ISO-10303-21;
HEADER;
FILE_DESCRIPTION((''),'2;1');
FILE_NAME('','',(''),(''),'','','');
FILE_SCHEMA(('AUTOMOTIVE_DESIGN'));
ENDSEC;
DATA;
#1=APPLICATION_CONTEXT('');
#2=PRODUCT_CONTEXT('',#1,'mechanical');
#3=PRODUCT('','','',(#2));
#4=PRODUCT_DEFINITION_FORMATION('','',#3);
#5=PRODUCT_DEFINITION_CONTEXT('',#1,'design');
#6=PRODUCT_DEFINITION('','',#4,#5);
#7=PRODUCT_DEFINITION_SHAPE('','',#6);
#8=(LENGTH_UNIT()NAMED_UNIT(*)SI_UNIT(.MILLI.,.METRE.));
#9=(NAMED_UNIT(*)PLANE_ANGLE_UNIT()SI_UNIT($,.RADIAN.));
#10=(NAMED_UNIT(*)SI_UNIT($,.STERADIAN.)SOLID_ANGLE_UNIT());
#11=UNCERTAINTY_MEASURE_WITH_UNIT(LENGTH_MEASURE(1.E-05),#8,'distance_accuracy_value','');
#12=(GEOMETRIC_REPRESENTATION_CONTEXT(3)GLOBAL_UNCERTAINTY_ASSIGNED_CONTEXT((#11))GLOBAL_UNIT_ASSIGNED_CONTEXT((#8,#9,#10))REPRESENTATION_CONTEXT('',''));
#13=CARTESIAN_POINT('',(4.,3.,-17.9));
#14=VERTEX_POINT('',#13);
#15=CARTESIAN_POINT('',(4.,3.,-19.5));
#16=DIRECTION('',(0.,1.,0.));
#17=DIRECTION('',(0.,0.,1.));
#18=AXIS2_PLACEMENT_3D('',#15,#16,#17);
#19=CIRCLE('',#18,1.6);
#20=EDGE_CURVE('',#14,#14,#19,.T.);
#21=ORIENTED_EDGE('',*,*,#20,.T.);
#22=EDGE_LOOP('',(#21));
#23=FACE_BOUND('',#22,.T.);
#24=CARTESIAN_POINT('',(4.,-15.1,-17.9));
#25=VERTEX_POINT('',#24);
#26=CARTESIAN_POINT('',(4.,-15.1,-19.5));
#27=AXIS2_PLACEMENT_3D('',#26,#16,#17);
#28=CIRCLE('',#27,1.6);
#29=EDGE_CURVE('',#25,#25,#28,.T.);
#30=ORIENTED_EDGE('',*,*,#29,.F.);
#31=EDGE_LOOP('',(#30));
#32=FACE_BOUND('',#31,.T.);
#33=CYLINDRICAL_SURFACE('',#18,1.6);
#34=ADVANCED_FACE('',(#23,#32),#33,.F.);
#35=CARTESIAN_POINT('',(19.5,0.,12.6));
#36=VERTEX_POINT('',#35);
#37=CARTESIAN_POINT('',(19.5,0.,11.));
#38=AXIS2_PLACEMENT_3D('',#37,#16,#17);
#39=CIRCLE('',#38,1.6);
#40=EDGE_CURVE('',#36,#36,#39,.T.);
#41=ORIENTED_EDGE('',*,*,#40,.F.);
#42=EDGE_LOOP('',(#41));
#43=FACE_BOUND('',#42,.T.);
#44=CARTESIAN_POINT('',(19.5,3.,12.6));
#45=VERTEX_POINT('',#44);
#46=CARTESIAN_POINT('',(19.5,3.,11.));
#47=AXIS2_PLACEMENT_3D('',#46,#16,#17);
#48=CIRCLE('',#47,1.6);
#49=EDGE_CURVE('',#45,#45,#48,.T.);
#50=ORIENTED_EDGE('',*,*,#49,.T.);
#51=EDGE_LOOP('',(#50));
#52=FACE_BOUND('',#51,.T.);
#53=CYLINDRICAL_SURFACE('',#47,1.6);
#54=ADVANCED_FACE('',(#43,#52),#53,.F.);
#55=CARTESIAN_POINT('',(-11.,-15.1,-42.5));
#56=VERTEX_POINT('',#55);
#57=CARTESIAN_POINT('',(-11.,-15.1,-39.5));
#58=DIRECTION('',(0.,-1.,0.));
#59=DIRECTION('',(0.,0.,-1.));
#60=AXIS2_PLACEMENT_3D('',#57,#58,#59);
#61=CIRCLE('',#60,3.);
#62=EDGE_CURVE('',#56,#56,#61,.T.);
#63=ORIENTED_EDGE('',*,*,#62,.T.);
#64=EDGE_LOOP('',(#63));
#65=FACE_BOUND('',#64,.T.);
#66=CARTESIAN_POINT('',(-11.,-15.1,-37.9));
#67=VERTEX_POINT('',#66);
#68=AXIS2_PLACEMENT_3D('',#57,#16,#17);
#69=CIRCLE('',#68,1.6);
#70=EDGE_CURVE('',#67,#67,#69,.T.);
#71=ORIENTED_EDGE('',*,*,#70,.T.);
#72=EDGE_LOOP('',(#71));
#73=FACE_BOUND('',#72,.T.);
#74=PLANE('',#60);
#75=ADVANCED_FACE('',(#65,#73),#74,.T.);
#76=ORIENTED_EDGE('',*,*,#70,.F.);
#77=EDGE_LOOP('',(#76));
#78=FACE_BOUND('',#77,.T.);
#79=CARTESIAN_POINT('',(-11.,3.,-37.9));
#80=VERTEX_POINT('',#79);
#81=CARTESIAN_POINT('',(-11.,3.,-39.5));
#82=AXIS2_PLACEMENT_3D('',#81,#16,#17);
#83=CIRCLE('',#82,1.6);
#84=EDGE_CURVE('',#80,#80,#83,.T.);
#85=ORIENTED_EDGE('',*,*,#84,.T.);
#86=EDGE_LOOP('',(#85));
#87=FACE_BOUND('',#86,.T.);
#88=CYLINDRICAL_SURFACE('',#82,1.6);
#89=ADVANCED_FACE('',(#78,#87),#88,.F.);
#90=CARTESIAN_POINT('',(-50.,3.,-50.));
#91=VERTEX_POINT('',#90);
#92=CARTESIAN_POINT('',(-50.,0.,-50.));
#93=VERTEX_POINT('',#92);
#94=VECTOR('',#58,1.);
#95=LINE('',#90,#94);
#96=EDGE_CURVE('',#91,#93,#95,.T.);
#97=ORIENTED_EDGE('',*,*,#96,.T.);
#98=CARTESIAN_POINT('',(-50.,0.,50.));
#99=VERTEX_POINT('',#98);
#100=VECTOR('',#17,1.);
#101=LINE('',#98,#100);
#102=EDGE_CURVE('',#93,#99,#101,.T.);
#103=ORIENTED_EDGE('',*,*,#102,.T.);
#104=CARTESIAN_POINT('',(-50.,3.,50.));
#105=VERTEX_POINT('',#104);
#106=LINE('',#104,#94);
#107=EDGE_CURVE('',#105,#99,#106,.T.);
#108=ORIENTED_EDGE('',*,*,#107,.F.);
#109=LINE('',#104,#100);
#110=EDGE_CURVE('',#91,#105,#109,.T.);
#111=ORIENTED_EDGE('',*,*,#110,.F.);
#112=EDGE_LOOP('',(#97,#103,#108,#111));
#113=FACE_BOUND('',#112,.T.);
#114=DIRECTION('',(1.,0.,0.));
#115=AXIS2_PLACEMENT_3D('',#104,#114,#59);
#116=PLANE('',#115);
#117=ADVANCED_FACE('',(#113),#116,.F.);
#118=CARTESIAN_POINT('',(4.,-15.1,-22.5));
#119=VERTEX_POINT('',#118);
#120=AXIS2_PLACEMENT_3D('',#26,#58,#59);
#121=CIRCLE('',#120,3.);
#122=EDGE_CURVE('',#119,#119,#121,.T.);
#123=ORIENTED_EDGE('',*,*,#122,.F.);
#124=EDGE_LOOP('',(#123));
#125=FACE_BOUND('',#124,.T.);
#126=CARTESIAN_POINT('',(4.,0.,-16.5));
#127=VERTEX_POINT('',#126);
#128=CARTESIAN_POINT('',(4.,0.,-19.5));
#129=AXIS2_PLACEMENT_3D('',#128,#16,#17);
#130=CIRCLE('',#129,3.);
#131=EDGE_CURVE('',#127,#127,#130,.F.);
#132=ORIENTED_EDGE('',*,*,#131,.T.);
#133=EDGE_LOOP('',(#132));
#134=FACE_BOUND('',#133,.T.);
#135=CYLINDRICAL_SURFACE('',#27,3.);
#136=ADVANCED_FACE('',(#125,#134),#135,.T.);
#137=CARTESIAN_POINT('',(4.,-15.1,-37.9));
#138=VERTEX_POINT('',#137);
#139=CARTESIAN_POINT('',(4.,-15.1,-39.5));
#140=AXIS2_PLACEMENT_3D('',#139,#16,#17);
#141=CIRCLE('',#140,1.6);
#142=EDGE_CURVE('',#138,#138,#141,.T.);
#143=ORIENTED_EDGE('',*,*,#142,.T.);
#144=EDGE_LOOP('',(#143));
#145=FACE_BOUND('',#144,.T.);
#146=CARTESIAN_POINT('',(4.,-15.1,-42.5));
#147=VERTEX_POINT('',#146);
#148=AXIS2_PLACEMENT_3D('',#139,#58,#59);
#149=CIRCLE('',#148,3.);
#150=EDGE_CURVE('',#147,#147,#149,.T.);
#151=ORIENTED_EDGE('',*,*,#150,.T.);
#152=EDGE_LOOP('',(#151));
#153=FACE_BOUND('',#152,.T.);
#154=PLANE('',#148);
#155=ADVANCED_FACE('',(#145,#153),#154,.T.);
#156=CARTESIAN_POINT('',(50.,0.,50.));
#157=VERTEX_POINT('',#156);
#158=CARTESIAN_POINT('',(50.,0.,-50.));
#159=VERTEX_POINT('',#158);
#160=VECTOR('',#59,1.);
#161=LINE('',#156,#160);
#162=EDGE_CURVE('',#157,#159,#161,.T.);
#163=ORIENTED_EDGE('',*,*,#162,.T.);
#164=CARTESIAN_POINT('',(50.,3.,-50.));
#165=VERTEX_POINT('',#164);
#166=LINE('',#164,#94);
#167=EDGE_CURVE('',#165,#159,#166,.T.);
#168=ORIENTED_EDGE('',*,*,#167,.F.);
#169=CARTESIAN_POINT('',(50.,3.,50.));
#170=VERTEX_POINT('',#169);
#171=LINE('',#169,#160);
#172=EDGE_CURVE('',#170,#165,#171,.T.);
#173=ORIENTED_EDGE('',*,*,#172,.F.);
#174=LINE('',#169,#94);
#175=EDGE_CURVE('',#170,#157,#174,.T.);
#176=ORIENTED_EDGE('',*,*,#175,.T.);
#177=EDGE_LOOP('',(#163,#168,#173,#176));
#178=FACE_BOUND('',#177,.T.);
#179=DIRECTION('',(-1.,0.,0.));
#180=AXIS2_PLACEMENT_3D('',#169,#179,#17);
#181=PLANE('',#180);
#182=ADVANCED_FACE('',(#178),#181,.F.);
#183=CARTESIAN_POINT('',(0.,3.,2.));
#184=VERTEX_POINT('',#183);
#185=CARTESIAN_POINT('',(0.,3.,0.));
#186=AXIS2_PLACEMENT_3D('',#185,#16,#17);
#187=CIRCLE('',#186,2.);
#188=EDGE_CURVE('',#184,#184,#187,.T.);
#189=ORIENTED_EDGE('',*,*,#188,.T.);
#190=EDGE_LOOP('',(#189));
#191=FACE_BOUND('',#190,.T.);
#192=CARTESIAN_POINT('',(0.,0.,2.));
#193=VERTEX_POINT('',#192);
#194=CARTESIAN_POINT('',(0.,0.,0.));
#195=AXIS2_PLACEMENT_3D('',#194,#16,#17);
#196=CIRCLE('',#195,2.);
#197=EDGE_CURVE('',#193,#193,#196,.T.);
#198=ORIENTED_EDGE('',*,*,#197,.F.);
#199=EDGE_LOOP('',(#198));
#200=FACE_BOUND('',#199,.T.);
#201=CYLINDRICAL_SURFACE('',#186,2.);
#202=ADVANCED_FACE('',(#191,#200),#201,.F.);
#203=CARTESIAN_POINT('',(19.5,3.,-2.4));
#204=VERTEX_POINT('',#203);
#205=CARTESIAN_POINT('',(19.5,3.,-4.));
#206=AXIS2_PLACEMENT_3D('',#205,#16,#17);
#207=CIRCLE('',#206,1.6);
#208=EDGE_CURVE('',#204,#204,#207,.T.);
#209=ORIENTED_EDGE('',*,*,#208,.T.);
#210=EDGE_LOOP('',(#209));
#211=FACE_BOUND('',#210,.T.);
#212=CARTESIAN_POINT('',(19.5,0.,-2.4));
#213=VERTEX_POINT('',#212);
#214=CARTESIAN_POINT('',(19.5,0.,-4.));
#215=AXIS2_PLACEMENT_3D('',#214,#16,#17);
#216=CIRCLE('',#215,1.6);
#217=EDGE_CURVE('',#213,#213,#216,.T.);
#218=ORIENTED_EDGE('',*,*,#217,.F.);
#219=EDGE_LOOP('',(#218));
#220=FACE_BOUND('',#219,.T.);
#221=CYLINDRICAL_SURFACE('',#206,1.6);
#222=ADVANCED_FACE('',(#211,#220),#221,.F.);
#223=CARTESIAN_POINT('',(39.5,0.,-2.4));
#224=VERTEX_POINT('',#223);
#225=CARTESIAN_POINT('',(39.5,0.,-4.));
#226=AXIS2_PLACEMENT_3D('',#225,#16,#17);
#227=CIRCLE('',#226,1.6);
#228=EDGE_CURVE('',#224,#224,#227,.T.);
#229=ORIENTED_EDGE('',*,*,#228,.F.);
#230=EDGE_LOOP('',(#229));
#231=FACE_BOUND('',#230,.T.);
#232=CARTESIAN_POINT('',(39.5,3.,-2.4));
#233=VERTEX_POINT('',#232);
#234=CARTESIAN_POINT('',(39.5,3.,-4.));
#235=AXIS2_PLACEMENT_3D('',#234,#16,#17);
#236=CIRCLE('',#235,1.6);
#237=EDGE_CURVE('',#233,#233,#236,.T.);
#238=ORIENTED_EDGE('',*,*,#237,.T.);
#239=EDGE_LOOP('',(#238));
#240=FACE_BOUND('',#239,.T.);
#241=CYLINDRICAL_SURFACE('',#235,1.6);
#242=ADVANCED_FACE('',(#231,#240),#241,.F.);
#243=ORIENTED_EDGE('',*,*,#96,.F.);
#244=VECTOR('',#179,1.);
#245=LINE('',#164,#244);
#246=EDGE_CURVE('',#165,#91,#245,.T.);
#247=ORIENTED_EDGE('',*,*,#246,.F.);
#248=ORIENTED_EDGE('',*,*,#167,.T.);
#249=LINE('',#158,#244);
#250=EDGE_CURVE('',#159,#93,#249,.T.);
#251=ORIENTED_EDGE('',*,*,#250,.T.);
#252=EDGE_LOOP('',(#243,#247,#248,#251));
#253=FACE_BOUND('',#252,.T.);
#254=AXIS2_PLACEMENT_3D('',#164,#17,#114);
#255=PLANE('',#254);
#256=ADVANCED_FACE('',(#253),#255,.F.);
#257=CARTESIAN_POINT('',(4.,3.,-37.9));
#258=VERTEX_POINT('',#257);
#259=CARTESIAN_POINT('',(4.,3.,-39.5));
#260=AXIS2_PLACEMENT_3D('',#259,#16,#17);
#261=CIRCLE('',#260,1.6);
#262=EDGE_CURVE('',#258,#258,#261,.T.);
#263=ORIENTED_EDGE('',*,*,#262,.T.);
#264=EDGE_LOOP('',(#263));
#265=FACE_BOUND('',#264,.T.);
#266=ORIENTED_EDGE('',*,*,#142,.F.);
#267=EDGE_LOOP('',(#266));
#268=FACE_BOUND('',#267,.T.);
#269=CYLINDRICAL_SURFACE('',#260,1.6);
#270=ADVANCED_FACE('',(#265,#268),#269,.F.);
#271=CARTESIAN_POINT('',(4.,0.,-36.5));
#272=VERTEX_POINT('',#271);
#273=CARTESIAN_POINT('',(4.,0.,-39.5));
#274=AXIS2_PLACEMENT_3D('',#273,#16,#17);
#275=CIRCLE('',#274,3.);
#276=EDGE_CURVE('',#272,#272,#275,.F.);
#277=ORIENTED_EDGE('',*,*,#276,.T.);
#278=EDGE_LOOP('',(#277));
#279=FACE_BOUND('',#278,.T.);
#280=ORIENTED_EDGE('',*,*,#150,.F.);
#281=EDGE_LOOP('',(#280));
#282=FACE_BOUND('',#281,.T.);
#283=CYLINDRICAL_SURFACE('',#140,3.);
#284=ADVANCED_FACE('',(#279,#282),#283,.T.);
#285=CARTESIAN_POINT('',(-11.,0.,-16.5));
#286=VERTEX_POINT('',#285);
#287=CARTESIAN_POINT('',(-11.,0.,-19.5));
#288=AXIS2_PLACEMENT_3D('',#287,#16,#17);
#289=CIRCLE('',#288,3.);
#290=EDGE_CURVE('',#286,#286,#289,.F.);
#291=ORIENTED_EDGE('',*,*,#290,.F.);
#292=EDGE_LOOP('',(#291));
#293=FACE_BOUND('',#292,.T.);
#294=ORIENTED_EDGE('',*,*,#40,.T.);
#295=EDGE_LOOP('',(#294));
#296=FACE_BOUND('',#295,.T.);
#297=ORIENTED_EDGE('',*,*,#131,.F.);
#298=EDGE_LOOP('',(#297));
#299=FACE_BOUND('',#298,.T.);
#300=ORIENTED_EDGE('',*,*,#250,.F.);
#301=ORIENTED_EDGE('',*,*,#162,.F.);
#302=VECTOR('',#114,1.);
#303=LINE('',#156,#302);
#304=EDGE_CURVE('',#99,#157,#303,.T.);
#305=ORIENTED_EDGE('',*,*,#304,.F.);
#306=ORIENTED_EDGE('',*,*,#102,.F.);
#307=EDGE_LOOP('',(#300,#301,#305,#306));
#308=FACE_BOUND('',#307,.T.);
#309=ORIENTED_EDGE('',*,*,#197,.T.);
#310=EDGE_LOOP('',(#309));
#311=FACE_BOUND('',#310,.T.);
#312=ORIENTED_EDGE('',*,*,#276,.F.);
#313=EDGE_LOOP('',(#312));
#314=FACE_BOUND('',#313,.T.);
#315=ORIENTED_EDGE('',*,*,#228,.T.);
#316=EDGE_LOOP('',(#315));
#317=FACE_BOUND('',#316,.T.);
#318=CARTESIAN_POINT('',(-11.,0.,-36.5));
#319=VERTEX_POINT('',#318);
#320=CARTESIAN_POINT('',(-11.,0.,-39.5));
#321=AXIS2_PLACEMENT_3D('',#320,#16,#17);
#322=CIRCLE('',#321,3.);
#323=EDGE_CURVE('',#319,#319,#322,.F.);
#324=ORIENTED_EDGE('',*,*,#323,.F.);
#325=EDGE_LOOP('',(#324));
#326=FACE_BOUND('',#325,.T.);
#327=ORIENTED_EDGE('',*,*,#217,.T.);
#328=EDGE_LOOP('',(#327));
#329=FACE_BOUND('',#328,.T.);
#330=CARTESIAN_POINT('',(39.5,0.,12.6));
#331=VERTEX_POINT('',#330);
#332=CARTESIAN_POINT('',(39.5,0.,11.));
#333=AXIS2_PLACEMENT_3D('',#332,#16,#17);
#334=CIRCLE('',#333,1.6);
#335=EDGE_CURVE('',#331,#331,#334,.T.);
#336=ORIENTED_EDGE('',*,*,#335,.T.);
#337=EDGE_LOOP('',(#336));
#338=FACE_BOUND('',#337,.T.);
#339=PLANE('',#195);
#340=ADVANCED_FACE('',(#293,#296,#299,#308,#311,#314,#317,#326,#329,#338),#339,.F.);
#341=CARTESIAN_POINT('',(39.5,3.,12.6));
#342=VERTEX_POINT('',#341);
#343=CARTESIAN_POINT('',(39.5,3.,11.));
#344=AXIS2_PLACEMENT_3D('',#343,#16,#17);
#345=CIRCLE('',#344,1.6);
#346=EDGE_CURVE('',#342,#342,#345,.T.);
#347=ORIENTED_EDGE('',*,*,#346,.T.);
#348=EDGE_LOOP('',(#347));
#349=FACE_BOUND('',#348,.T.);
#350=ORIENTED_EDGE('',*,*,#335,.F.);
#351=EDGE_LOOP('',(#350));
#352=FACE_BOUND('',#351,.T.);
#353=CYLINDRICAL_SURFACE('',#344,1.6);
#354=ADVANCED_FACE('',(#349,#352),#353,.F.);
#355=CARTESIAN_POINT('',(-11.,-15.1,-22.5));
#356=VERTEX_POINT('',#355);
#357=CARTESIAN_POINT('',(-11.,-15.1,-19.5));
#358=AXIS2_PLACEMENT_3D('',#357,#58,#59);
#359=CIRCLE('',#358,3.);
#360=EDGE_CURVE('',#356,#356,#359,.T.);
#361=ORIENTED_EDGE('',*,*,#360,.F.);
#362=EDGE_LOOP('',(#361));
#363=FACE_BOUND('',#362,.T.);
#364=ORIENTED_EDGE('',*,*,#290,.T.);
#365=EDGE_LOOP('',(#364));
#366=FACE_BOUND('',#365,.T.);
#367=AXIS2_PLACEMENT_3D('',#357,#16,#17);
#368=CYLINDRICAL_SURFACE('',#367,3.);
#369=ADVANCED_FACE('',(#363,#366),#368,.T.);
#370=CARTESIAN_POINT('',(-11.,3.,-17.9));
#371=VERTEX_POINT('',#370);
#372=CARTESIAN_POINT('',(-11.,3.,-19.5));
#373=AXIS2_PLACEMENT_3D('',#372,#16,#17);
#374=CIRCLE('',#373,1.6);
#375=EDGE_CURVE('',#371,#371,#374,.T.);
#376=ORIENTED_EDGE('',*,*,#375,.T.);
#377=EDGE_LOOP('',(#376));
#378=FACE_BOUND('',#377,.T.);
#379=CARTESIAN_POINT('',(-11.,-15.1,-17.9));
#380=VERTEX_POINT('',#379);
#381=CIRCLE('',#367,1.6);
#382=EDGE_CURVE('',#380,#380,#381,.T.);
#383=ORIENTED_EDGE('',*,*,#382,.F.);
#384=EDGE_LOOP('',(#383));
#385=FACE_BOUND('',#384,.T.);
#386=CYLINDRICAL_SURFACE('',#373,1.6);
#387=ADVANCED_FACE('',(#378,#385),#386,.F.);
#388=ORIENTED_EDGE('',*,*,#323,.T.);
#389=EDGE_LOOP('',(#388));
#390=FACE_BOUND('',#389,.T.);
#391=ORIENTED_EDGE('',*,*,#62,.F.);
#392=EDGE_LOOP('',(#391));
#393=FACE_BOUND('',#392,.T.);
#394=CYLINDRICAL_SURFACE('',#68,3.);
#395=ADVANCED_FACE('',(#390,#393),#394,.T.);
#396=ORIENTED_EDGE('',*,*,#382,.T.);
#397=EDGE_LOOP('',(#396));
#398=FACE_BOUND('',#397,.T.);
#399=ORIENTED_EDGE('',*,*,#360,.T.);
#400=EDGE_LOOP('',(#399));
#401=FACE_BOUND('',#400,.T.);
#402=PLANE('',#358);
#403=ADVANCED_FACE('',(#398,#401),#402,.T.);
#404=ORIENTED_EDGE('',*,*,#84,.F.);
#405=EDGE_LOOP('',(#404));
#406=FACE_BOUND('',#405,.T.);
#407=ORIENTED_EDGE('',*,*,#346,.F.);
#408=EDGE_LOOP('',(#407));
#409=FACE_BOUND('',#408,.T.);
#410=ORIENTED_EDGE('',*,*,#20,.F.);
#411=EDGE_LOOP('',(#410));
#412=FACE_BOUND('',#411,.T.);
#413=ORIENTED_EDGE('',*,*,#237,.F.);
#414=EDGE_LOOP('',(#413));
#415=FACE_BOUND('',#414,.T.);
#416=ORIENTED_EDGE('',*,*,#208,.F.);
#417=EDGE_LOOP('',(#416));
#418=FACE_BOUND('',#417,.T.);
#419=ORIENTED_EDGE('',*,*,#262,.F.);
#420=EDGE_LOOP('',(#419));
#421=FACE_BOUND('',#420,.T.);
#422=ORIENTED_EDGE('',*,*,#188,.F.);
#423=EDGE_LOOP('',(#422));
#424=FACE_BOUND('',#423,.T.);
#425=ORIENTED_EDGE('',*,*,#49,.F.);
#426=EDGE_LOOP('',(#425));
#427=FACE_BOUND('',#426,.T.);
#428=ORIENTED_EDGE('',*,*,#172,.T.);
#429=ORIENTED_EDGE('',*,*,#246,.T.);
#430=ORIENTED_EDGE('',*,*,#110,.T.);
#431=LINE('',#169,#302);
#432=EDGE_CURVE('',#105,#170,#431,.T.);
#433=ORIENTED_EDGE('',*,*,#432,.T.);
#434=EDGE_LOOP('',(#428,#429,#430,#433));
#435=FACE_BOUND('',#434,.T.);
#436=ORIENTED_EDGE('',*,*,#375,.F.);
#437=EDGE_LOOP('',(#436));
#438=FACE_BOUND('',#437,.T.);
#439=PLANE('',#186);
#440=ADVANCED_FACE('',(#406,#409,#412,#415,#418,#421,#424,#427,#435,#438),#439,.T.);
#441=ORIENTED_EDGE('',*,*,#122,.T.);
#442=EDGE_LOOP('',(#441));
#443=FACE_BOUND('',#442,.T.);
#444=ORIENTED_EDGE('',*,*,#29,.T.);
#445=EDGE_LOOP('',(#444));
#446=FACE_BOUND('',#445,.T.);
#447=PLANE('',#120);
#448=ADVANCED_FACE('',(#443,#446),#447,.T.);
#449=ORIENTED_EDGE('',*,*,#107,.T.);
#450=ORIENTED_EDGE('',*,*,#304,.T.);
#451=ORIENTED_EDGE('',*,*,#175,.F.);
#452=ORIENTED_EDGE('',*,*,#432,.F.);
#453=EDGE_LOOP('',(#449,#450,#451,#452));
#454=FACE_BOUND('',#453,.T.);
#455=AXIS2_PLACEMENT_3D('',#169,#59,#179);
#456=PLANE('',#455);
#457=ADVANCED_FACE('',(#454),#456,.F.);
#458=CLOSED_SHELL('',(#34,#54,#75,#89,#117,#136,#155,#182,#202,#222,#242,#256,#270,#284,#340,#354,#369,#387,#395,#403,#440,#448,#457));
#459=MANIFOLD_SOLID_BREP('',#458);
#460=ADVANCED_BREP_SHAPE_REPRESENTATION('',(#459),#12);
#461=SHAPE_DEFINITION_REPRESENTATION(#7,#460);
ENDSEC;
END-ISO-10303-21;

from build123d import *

# Parameters (mm, degrees)
SKETCH2_W                = 100
SKETCH2_H                = 100
BOSS_EXTRUDE1_DEPTH      = 3
SKETCH8_R                = 3
BOSS_EXTRUDE2_DEPTH      = 15.1
M3_CLEARANCE_HOLE1_D     = 3.2
F_4_0_4_DIAMETER_HOLE1_D = 4


with BuildPart() as part:
    # Sketch2 → Boss-Extrude1 (new body)
    with BuildSketch(Plane(origin=(0, 0, 0), x_dir=(1, 0, 0), z_dir=(0, 1, 0))):
        Rectangle(SKETCH2_W, SKETCH2_H)
    extrude(amount=BOSS_EXTRUDE1_DEPTH)

    # Sketch8 → Boss-Extrude2 (add)
    with BuildSketch(Plane.XZ):
        with Locations(Location((-11, -19.5, 0), (0, 0, 90))):
            Circle(SKETCH8_R)
        with Locations(Location((4, -19.5, 0), (0, 0, 90))):
            Circle(SKETCH8_R)
        with Locations(Location((4, -39.5, 0), (0, 0, 90))):
            Circle(SKETCH8_R)
        with Locations(Location((-11, -39.5, 0), (0, 0, 90))):
            Circle(SKETCH8_R)
    extrude(amount=BOSS_EXTRUDE2_DEPTH)

    # M3 Clearance Hole1 (through all)
    with Locations(Plane(origin=(0, 3, 0), x_dir=(1, 0, 0), z_dir=(0, 1, 0))):
        with Locations((-11, 39.5), (4, 39.5), (4, 19.5), (-11, 19.5), (19.5, 4), (39.5, 4), (39.5, -11), (19.5, -11)):
            Hole(M3_CLEARANCE_HOLE1_D / 2)

    # Ø4.0 (4) Diameter Hole1 (through all)
    with Locations(Plane(origin=(0, 3, 0), x_dir=(1, 0, 0), z_dir=(0, 1, 0))):
        with Locations((0, 0)):
            Hole(F_4_0_4_DIAMETER_HOLE1_D / 2)


solid = part.part
